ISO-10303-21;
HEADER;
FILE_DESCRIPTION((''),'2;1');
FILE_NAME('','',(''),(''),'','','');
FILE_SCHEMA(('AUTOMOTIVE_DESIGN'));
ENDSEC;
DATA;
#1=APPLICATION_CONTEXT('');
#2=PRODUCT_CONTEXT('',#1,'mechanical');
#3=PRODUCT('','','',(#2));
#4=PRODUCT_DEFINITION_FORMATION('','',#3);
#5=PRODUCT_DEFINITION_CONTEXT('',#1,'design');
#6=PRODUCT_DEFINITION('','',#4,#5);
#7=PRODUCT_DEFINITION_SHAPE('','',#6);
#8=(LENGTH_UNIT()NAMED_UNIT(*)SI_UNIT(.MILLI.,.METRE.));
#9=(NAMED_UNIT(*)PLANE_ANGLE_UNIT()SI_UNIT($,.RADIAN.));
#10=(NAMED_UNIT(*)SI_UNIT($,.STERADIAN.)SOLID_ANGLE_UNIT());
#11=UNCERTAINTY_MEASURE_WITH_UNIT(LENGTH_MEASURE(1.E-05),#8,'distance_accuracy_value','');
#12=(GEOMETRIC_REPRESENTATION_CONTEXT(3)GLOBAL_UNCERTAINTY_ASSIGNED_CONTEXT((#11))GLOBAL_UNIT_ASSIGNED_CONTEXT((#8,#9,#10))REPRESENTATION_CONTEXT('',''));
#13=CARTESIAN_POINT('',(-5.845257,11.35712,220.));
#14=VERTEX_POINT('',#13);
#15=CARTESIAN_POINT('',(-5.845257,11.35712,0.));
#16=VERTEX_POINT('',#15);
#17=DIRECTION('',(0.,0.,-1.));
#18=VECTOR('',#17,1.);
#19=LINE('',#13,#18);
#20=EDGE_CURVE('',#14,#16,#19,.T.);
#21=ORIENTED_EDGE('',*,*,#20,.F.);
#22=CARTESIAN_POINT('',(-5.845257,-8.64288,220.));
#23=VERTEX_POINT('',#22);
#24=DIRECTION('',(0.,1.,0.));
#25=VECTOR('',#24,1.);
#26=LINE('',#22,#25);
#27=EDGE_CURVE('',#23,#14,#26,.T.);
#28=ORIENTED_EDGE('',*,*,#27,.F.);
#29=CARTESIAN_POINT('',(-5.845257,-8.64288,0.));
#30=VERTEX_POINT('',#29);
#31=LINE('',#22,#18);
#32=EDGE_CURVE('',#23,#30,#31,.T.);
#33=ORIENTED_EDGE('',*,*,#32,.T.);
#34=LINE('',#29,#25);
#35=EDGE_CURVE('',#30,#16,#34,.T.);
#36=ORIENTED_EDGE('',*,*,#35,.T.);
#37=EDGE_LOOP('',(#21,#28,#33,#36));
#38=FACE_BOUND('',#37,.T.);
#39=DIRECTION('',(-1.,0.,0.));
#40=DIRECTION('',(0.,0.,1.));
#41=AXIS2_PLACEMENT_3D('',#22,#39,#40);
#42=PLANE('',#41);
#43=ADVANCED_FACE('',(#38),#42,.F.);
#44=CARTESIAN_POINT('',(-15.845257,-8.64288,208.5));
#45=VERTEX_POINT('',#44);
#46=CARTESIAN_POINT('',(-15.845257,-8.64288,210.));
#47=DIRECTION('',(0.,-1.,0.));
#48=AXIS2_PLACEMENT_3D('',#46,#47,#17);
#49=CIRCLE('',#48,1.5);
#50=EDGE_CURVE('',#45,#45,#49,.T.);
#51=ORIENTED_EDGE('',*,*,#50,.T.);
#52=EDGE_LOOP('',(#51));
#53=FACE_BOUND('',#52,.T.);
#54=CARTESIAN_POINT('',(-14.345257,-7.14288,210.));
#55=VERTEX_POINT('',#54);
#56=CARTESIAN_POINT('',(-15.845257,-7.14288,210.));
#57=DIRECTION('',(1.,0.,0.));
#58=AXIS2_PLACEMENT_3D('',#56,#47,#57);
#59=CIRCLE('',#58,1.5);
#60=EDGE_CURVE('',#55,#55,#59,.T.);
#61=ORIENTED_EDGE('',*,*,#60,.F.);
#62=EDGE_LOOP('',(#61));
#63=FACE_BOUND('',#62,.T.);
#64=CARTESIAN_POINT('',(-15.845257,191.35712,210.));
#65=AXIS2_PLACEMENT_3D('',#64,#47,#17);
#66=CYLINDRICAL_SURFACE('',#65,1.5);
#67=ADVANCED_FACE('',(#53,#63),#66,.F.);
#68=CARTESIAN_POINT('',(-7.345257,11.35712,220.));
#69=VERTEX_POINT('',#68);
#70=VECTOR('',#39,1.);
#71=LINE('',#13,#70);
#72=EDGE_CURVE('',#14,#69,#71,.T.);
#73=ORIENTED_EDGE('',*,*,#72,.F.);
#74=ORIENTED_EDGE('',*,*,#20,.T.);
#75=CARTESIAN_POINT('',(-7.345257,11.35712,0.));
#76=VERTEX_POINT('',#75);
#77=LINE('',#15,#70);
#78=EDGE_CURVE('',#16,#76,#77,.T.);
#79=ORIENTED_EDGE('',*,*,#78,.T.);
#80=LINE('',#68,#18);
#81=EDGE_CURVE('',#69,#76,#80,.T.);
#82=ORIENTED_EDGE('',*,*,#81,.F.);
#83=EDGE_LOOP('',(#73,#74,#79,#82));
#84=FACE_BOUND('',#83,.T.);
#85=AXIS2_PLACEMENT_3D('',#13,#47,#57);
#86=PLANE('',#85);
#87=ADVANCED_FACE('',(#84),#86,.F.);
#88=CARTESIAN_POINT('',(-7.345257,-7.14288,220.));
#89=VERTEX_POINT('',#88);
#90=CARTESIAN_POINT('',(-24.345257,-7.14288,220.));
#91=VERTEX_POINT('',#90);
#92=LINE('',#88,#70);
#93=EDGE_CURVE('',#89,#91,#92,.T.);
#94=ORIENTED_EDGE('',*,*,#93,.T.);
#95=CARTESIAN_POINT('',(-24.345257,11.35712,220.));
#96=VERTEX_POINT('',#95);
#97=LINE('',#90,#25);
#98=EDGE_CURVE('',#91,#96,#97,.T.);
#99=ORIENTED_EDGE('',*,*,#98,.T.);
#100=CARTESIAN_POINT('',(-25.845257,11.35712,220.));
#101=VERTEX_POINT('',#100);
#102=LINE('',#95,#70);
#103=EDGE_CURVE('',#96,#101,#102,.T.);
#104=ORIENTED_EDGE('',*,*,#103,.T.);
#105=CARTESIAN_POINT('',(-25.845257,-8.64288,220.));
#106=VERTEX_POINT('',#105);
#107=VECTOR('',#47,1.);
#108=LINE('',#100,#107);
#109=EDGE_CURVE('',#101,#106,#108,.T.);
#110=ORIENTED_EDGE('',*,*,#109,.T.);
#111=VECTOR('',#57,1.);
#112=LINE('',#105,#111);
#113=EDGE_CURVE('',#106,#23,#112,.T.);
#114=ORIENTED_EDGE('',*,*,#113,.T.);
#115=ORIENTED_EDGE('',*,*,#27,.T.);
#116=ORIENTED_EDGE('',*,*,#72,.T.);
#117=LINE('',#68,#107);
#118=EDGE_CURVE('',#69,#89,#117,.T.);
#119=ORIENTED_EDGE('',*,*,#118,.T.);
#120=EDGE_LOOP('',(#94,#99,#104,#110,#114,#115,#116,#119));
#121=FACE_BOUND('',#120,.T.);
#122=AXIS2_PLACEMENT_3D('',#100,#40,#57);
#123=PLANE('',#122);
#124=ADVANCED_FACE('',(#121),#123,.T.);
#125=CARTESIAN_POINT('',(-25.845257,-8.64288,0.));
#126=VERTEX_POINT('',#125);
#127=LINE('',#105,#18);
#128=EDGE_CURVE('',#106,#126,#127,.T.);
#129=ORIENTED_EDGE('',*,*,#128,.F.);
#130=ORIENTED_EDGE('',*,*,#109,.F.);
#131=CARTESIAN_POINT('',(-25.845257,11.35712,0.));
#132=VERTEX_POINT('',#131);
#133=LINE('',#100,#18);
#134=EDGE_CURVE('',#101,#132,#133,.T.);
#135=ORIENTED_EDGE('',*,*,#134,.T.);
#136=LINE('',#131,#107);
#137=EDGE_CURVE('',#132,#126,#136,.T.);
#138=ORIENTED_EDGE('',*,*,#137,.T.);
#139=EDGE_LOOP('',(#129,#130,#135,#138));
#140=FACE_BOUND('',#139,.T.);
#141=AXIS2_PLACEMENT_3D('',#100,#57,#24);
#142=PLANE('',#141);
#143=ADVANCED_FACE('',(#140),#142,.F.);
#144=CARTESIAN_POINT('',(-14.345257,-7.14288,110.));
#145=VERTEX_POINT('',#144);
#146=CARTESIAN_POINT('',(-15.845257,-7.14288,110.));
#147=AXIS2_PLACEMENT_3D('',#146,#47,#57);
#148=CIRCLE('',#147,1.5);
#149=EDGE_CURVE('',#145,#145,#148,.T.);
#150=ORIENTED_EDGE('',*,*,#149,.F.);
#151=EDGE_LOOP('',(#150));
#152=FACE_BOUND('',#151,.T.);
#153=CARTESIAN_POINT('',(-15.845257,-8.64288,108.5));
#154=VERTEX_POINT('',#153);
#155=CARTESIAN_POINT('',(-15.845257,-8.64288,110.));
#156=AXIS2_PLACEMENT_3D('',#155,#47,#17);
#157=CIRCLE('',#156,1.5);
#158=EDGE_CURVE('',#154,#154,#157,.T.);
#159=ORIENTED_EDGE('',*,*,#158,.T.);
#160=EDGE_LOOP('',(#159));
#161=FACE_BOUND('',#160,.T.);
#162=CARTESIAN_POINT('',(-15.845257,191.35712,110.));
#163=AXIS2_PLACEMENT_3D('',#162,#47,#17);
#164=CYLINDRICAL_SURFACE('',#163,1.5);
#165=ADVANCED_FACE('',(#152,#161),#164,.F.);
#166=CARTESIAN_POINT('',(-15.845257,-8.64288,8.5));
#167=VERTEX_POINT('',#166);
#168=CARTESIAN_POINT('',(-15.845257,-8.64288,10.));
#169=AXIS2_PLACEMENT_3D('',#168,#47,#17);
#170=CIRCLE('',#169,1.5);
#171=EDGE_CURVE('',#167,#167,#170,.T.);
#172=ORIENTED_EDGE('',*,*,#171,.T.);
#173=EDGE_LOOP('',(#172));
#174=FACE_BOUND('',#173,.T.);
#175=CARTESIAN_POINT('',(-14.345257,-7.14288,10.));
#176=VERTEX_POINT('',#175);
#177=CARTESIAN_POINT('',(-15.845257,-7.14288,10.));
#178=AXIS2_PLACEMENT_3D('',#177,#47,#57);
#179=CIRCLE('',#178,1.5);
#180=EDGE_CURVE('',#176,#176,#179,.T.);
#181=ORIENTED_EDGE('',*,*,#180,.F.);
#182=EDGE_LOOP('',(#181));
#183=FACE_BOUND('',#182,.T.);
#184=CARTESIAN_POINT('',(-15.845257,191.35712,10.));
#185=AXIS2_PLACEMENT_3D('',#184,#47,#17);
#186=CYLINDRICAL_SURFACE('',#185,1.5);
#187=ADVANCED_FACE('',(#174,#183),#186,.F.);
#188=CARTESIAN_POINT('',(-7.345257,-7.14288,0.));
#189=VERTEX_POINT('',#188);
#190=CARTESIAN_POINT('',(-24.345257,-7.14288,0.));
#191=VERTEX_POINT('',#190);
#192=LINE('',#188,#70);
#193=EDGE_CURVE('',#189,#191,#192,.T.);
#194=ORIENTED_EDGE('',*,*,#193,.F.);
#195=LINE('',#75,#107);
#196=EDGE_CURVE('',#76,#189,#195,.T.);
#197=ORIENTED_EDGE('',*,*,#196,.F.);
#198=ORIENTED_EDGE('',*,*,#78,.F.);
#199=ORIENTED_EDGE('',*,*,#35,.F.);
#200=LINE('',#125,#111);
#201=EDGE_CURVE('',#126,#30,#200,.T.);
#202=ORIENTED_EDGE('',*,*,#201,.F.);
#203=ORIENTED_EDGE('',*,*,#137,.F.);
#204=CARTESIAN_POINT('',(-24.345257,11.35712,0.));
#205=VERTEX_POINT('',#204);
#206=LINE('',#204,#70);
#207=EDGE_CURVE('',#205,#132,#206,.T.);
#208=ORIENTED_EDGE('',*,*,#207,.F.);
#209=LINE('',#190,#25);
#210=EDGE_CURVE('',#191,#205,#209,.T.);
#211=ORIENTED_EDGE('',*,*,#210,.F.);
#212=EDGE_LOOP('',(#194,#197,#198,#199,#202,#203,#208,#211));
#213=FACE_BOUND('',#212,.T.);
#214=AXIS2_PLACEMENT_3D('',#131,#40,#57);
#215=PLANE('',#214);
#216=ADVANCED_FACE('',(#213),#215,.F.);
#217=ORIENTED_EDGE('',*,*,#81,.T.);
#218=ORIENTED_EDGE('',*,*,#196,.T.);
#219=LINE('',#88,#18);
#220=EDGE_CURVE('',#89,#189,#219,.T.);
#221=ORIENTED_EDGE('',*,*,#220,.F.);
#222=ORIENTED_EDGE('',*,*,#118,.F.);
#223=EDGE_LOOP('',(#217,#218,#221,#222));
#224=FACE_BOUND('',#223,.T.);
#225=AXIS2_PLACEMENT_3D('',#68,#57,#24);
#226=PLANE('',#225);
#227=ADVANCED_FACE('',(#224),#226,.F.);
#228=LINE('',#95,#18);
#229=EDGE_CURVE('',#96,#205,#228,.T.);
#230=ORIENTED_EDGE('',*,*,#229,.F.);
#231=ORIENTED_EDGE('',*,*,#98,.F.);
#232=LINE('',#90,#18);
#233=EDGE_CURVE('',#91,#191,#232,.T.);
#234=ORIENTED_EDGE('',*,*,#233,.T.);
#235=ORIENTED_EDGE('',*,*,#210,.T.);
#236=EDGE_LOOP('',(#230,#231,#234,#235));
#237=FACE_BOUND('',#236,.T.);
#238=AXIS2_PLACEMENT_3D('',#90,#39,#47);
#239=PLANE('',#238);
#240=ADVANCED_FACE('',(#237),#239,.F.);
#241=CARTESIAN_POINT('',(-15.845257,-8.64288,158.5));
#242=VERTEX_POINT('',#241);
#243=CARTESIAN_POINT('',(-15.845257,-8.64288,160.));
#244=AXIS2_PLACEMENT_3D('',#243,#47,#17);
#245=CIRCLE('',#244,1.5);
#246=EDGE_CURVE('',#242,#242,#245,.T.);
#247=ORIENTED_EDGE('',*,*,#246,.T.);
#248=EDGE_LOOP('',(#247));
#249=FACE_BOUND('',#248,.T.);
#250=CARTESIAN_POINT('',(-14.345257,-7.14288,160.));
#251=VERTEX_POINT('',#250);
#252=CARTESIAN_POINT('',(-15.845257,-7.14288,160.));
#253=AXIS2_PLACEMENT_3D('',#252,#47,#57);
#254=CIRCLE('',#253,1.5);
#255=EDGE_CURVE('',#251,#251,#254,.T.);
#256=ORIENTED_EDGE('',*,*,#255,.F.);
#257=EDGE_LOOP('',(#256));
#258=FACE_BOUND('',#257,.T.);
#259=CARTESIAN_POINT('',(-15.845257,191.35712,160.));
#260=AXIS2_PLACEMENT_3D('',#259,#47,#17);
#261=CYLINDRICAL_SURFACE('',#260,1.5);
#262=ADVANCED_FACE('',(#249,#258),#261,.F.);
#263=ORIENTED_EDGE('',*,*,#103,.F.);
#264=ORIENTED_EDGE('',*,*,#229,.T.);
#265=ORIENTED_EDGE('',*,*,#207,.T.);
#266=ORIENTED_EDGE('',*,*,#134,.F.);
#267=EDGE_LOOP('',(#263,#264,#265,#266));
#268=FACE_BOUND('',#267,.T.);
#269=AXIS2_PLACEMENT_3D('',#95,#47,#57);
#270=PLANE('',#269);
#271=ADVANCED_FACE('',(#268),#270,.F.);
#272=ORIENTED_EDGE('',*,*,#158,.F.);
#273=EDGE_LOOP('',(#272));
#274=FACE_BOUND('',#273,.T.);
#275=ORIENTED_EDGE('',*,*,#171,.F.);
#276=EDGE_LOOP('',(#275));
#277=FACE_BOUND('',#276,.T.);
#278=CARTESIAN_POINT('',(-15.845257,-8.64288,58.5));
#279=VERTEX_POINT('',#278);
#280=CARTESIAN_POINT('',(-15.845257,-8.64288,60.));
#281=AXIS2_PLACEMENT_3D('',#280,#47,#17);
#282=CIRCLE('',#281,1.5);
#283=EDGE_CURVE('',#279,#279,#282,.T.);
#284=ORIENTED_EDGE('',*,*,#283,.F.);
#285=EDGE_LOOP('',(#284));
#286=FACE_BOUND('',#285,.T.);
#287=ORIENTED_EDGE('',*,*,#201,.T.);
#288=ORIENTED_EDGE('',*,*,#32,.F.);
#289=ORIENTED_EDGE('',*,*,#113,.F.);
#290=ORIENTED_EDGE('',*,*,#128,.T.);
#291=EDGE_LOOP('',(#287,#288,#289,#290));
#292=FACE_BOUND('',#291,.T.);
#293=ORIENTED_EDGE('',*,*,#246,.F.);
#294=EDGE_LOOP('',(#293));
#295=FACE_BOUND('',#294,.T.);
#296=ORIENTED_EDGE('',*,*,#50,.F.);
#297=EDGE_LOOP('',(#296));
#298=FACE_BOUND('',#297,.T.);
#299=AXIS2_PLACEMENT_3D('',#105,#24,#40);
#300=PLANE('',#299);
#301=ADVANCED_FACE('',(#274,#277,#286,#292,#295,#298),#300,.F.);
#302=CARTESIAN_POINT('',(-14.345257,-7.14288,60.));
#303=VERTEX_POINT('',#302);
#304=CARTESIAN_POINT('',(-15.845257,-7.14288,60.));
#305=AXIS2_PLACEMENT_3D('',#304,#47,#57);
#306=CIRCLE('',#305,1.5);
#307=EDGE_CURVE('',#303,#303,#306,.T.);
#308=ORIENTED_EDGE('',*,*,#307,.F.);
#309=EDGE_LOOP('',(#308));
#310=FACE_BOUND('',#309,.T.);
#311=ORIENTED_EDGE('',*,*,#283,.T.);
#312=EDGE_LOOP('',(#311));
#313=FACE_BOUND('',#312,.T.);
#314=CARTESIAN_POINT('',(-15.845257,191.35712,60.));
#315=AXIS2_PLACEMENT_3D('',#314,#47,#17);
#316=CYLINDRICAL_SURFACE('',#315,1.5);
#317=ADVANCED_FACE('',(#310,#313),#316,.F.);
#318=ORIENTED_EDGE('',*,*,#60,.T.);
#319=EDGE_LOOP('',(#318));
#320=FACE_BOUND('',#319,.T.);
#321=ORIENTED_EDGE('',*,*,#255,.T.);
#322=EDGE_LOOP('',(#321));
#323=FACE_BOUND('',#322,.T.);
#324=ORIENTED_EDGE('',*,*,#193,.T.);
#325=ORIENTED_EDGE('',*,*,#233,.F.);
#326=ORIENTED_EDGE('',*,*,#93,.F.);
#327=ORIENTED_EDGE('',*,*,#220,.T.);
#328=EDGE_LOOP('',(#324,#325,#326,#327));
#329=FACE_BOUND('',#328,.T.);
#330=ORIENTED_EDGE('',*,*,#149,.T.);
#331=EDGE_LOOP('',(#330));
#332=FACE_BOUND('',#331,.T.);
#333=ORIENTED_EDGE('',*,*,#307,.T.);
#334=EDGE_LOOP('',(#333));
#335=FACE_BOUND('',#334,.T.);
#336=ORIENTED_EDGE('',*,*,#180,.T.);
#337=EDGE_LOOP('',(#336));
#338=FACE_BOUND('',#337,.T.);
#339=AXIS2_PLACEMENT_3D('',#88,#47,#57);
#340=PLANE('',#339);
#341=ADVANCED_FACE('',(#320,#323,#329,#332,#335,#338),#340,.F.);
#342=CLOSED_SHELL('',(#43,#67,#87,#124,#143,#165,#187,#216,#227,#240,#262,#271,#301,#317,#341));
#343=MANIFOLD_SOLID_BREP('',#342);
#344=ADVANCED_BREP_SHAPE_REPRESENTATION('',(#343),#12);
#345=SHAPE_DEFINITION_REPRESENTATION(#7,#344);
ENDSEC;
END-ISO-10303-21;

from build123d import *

# Parameters (mm, degrees)
EXTRUSION1_DEPTH = 220
ESQUISSE2_R      = 1.5
EXTRUSION2_DEPTH = 200


with BuildPart() as part:
    # Esquisse1 → Extrusion1 (new body)
    with BuildSketch(Plane.XY):
        Polygon((-25.845256994, 11.357120085), (-25.845256994, -8.642879915), (-5.845256994, -8.642879915), (-5.845256994, 11.357120085), (-7.345256994, 11.357120085), (-7.345256994, -7.142879915), (-24.345256994, -7.142879915), (-24.345256994, 11.357120085), align=None)
    extrude(amount=EXTRUSION1_DEPTH)

    # Esquisse2 → Extrusion2 (cut)
    with BuildSketch(Plane.XZ.offset(8.642879915)):
        with Locations(Location((-15.845256994, 210, 0), (0, 0, 270))):
            Circle(ESQUISSE2_R)
        with Locations(Location((-15.845256994, 10, 0), (0, 0, 270))):
            Circle(ESQUISSE2_R)
        with Locations(Location((-15.845256994, 160, 0), (0, 0, 270))):
            Circle(ESQUISSE2_R)
        with Locations(Location((-15.845256994, 110, 0), (0, 0, 270))):
            Circle(ESQUISSE2_R)
        with Locations(Location((-15.845256994, 60, 0), (0, 0, 270))):
            Circle(ESQUISSE2_R)
    extrude(amount=-EXTRUSION2_DEPTH, mode=Mode.SUBTRACT)


solid = part.part
